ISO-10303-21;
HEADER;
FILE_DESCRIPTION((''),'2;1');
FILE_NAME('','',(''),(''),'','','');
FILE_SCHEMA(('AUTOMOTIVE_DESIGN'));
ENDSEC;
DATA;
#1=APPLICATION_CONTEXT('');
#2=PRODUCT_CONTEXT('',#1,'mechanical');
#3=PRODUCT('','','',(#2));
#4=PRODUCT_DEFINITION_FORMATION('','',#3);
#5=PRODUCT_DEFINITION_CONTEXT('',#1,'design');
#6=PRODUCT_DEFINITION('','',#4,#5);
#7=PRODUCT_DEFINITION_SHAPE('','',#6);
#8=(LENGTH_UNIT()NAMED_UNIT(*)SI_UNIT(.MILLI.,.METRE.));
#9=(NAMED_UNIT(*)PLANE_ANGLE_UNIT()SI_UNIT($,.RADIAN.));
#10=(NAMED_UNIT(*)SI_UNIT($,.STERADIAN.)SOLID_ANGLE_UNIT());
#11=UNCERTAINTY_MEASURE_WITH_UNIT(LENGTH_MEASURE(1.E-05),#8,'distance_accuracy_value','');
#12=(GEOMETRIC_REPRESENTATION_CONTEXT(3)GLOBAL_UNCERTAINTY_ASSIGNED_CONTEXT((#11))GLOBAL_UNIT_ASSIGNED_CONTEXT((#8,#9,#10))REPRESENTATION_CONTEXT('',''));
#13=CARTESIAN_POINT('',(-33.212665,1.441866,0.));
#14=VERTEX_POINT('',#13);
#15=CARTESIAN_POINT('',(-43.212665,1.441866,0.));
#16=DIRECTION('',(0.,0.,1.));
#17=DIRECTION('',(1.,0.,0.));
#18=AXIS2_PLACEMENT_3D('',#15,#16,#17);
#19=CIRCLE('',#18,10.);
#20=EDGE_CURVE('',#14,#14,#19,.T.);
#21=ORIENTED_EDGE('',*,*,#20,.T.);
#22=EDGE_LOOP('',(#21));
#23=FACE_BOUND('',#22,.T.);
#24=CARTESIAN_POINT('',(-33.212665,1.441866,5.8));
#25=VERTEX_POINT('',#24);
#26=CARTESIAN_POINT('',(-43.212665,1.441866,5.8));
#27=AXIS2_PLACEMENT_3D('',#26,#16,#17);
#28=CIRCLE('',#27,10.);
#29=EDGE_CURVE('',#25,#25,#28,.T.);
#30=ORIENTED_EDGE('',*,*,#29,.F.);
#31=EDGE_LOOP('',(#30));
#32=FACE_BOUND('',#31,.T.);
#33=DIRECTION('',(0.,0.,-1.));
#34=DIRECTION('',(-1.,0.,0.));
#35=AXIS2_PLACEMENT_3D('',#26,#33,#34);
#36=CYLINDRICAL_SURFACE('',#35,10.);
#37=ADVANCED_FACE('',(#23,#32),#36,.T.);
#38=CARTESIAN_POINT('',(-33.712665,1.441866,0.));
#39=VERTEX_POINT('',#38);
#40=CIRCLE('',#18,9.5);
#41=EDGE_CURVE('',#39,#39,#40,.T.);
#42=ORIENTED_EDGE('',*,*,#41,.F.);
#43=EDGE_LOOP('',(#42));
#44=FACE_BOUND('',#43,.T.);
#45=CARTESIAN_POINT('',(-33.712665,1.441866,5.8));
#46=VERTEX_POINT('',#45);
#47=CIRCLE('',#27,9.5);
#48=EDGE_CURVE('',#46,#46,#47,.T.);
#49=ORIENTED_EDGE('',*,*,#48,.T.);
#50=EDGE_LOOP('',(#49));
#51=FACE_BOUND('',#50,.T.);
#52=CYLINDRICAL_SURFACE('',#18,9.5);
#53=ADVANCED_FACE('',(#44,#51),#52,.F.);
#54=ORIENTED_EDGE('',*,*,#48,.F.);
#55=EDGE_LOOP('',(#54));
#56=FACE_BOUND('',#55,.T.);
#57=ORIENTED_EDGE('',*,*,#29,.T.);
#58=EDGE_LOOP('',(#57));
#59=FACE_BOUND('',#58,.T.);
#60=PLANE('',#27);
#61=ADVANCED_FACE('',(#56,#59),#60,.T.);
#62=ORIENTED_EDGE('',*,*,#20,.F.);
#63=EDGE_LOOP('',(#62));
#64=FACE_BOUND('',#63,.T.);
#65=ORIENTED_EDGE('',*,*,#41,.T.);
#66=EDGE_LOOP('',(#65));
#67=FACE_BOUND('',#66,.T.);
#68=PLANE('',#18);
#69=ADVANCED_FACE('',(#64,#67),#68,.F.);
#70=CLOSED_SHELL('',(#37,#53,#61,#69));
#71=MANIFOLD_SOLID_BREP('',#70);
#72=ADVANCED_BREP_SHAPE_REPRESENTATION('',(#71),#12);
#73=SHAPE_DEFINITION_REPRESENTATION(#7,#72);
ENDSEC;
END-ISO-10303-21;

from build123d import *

# Parameters (mm, degrees)
SKETCH1_R           = 10
BOSS_EXTRUDE1_DEPTH = 5.8
SKETCH2_R           = 9.5
CUT_EXTRUDE1_DEPTH  = 5.8


with BuildPart() as part:
    # Sketch1 → Boss-Extrude1 (new body)
    with BuildSketch(Plane.XY):
        with Locations((-43.212664647, 1.441865661)):
            Circle(SKETCH1_R)
    extrude(amount=BOSS_EXTRUDE1_DEPTH)

    # Sketch2 → Cut-Extrude1 (cut)
    with BuildSketch(Plane.XY.offset(5.8)):
        with Locations((-43.212664647, 1.441865661)):
            Circle(SKETCH2_R)
    extrude(amount=-CUT_EXTRUDE1_DEPTH, mode=Mode.SUBTRACT)


solid = part.part
